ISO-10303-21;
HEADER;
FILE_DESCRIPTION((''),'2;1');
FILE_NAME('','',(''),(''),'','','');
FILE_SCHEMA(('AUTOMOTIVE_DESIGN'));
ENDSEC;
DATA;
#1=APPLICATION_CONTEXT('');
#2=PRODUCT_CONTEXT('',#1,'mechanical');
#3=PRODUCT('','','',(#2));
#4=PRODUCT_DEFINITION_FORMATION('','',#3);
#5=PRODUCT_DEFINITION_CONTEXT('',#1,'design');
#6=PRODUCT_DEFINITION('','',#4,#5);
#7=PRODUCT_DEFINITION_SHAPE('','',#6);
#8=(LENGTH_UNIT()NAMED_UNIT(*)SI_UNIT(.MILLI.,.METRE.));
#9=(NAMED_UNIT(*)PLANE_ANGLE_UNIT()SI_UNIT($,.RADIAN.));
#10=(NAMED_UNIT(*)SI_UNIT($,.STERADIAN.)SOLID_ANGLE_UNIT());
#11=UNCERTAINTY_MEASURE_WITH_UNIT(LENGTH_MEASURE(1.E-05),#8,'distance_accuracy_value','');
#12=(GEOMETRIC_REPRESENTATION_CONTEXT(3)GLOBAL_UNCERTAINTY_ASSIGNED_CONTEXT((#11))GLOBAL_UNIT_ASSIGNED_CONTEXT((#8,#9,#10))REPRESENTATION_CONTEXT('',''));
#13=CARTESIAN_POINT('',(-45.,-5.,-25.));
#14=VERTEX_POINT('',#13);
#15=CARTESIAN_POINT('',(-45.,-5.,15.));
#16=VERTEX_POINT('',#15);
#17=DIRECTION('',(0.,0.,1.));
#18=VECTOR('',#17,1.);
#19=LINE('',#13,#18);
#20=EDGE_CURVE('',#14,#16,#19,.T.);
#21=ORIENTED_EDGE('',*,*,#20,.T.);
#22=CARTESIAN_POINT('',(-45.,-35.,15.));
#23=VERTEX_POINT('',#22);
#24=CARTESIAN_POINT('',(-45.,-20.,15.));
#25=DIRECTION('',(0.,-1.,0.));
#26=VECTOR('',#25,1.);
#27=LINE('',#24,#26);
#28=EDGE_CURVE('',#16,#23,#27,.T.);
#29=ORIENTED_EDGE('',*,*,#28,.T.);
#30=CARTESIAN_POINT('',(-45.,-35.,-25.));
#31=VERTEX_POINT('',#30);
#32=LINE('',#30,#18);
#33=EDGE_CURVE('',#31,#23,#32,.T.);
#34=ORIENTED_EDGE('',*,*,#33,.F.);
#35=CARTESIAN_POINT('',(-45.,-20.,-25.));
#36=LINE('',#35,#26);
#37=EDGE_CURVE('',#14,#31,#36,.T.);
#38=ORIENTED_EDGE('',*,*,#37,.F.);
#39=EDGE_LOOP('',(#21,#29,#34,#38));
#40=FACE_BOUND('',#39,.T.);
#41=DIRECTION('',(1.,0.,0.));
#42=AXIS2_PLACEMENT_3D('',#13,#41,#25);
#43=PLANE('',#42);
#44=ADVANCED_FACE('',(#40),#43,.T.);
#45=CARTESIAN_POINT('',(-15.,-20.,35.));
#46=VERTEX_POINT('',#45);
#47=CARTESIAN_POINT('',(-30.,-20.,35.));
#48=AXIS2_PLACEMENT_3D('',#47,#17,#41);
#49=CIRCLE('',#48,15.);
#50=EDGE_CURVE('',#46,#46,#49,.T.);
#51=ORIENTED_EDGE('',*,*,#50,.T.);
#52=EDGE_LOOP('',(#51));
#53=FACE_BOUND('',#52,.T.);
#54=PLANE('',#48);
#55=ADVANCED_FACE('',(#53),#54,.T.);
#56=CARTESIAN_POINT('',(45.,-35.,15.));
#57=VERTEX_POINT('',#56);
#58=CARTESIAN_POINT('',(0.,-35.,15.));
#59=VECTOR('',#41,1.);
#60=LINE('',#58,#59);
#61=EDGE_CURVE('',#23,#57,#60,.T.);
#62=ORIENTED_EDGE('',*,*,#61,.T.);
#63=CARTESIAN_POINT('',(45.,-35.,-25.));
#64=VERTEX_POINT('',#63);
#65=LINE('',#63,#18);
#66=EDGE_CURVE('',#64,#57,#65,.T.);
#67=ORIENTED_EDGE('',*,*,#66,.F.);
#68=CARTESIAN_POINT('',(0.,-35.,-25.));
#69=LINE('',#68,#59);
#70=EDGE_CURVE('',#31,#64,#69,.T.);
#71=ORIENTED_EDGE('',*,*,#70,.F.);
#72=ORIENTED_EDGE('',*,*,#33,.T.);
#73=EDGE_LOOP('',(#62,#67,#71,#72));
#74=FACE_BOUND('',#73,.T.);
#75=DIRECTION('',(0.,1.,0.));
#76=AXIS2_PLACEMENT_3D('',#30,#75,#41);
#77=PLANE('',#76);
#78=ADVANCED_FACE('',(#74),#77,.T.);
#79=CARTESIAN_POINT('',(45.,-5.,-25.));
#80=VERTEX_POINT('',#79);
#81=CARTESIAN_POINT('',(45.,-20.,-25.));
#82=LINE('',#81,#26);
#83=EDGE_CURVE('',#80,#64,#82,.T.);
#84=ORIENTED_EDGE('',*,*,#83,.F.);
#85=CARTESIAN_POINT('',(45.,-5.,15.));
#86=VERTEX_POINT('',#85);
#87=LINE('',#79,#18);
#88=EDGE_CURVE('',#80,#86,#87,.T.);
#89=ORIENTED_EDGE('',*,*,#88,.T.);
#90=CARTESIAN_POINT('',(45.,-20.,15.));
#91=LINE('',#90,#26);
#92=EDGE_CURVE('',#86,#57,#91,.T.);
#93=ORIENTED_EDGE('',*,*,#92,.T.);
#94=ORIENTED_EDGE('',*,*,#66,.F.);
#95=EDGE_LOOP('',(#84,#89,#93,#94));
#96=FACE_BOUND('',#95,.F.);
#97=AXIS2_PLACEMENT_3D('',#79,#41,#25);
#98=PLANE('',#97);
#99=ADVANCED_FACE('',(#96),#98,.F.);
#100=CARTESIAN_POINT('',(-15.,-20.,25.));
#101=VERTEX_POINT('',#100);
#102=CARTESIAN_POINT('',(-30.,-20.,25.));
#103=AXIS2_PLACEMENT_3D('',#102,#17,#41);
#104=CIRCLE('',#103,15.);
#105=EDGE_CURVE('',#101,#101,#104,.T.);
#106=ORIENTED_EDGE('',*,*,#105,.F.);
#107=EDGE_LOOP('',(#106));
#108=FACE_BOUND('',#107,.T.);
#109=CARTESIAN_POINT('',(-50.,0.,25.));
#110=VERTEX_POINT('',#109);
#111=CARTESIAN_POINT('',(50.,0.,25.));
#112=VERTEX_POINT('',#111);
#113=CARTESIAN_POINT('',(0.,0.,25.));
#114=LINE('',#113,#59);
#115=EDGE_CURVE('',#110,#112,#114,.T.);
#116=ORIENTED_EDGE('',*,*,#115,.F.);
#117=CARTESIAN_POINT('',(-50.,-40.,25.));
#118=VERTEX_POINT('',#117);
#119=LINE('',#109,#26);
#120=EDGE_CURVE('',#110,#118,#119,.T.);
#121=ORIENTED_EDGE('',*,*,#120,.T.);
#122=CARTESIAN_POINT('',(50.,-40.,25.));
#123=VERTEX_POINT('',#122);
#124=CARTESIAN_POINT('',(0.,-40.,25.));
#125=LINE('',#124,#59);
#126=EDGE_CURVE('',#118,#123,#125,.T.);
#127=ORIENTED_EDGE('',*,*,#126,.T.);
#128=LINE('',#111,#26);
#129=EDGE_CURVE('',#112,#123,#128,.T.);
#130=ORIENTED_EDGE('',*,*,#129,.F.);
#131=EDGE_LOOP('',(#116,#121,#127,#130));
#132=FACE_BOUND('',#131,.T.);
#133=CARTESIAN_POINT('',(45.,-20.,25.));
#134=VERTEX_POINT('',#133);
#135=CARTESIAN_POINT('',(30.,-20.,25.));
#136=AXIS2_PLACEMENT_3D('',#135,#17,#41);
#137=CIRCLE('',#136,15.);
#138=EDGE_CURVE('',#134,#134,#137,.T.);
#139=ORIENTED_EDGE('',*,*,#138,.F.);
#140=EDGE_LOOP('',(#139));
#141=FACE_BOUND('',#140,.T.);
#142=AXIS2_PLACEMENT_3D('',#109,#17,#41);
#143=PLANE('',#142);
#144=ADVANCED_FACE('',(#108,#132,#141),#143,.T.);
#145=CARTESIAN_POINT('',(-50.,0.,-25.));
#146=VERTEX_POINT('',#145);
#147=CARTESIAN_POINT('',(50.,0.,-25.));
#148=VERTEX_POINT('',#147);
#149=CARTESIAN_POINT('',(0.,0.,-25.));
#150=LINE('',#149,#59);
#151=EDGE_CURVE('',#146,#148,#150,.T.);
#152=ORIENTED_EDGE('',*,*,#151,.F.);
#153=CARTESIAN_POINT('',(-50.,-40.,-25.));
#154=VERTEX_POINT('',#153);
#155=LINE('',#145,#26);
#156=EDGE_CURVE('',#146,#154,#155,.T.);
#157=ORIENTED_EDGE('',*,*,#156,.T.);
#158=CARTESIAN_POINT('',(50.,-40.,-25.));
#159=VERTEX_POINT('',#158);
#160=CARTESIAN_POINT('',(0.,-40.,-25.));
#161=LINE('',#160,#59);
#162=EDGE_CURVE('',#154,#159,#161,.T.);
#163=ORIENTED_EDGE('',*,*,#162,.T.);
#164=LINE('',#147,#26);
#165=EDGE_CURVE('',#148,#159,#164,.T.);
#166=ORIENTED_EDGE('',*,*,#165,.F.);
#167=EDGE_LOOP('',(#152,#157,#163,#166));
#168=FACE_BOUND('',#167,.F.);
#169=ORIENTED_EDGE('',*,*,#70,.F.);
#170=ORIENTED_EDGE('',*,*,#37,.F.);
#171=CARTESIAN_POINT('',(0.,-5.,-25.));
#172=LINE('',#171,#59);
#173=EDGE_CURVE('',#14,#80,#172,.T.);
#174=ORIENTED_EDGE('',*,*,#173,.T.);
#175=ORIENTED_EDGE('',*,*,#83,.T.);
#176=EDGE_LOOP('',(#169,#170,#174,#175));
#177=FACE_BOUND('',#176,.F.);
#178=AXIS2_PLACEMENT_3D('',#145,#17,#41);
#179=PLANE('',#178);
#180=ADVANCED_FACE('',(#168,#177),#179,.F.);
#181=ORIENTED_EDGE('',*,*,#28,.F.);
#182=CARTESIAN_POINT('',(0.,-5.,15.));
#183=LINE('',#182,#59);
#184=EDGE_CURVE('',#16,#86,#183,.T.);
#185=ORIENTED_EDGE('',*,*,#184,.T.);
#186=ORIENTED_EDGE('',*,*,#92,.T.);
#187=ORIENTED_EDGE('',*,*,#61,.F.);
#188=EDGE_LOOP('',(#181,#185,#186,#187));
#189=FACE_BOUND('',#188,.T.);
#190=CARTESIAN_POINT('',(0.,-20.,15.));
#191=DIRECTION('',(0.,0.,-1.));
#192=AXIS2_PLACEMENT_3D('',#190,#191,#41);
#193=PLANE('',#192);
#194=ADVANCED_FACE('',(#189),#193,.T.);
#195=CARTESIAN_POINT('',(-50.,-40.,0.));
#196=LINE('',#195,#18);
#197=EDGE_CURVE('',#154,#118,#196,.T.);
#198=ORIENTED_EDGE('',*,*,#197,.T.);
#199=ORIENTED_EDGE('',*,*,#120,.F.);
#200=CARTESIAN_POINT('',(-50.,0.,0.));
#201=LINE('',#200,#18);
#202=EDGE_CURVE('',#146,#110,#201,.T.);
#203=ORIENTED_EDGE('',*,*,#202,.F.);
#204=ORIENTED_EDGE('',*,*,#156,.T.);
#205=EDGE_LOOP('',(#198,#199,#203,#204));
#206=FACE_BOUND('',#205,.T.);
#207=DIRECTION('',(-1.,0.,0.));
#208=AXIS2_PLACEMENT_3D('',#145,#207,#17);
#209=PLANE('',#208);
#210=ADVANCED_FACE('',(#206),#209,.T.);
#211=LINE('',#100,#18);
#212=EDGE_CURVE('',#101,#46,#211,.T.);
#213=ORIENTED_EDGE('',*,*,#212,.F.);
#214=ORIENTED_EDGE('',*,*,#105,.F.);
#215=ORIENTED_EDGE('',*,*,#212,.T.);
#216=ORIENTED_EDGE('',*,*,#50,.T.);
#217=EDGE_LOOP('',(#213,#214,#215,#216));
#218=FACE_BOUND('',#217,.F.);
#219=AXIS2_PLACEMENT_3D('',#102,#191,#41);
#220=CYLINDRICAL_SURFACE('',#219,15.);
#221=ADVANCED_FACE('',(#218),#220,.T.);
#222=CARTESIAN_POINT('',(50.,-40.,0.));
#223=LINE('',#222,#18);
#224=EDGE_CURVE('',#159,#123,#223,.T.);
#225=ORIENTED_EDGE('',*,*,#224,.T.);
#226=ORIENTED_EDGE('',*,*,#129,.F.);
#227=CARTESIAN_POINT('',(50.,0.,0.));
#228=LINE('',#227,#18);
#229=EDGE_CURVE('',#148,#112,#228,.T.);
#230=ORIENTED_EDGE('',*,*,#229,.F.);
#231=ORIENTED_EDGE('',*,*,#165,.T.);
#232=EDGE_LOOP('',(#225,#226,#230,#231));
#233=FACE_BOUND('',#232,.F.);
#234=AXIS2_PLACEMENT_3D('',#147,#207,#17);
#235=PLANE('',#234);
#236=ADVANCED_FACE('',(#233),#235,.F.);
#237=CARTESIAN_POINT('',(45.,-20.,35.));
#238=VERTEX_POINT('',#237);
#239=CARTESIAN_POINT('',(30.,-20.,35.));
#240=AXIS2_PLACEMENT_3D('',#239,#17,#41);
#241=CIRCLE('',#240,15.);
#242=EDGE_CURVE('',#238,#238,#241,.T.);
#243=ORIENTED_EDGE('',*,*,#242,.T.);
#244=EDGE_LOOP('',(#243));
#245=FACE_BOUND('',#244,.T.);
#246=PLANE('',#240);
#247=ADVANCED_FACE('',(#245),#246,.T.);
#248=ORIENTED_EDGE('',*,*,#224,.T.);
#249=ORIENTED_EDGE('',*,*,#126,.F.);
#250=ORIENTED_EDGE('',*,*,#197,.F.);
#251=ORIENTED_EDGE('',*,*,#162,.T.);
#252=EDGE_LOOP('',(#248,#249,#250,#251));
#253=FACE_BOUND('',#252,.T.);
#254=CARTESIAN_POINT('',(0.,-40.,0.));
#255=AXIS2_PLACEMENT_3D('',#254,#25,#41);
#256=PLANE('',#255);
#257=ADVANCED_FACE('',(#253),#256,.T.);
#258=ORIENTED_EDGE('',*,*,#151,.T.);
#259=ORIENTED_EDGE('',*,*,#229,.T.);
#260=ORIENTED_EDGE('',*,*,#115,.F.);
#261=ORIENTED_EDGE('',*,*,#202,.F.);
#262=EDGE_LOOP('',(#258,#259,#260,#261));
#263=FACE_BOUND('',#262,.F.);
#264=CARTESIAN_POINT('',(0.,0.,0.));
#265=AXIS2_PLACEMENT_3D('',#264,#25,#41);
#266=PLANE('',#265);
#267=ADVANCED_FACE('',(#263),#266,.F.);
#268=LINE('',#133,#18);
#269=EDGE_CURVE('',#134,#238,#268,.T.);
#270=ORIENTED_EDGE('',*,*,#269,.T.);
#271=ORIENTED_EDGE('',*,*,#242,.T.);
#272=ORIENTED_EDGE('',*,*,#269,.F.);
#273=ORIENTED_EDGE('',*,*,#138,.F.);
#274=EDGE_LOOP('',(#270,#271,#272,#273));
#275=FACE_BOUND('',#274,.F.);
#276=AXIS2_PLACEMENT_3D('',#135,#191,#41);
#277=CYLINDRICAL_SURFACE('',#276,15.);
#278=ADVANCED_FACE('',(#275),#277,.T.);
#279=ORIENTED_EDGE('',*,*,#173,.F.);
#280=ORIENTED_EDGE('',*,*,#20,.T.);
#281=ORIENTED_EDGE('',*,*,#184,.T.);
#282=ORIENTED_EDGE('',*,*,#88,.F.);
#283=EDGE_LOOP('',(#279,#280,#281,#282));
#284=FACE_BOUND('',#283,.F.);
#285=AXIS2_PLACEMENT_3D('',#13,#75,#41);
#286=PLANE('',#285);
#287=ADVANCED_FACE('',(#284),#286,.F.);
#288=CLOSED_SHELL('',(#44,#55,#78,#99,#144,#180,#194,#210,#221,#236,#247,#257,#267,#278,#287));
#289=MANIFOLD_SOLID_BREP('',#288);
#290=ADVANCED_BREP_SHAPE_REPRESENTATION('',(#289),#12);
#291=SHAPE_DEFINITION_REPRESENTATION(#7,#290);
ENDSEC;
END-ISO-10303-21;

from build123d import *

# Parameters (mm, degrees)
F0_W     = 100
F0_H     = 50
F1_DEPTH = 40
F2_R     = 15
F3_DEPTH = 10
F4_W     = 90
F4_H     = 30
F5_DEPTH = 40


with BuildPart() as f1:
    # F0 (on Front) → F1 (new body)
    with BuildSketch(Plane.XZ):
        Rectangle(F0_W, F0_H)
    extrude(amount=F1_DEPTH)

    # F2 (on face) → F3 (join)
    with BuildSketch(Plane.XY.offset(25)):
        with Locations((-30, -20)):
            Circle(F2_R)
        with Locations((30, -20)):
            Circle(F2_R)
    extrude(amount=F3_DEPTH)

    # F4 (on face) → F5 (cut)
    with BuildSketch(Plane(origin=(0, 0, -25), x_dir=(1, 0, 0), z_dir=(0, 0, -1))):
        with Locations((0, 20)):
            Rectangle(F4_W, F4_H)
    extrude(amount=-F5_DEPTH, mode=Mode.SUBTRACT)


solid = f1.part
